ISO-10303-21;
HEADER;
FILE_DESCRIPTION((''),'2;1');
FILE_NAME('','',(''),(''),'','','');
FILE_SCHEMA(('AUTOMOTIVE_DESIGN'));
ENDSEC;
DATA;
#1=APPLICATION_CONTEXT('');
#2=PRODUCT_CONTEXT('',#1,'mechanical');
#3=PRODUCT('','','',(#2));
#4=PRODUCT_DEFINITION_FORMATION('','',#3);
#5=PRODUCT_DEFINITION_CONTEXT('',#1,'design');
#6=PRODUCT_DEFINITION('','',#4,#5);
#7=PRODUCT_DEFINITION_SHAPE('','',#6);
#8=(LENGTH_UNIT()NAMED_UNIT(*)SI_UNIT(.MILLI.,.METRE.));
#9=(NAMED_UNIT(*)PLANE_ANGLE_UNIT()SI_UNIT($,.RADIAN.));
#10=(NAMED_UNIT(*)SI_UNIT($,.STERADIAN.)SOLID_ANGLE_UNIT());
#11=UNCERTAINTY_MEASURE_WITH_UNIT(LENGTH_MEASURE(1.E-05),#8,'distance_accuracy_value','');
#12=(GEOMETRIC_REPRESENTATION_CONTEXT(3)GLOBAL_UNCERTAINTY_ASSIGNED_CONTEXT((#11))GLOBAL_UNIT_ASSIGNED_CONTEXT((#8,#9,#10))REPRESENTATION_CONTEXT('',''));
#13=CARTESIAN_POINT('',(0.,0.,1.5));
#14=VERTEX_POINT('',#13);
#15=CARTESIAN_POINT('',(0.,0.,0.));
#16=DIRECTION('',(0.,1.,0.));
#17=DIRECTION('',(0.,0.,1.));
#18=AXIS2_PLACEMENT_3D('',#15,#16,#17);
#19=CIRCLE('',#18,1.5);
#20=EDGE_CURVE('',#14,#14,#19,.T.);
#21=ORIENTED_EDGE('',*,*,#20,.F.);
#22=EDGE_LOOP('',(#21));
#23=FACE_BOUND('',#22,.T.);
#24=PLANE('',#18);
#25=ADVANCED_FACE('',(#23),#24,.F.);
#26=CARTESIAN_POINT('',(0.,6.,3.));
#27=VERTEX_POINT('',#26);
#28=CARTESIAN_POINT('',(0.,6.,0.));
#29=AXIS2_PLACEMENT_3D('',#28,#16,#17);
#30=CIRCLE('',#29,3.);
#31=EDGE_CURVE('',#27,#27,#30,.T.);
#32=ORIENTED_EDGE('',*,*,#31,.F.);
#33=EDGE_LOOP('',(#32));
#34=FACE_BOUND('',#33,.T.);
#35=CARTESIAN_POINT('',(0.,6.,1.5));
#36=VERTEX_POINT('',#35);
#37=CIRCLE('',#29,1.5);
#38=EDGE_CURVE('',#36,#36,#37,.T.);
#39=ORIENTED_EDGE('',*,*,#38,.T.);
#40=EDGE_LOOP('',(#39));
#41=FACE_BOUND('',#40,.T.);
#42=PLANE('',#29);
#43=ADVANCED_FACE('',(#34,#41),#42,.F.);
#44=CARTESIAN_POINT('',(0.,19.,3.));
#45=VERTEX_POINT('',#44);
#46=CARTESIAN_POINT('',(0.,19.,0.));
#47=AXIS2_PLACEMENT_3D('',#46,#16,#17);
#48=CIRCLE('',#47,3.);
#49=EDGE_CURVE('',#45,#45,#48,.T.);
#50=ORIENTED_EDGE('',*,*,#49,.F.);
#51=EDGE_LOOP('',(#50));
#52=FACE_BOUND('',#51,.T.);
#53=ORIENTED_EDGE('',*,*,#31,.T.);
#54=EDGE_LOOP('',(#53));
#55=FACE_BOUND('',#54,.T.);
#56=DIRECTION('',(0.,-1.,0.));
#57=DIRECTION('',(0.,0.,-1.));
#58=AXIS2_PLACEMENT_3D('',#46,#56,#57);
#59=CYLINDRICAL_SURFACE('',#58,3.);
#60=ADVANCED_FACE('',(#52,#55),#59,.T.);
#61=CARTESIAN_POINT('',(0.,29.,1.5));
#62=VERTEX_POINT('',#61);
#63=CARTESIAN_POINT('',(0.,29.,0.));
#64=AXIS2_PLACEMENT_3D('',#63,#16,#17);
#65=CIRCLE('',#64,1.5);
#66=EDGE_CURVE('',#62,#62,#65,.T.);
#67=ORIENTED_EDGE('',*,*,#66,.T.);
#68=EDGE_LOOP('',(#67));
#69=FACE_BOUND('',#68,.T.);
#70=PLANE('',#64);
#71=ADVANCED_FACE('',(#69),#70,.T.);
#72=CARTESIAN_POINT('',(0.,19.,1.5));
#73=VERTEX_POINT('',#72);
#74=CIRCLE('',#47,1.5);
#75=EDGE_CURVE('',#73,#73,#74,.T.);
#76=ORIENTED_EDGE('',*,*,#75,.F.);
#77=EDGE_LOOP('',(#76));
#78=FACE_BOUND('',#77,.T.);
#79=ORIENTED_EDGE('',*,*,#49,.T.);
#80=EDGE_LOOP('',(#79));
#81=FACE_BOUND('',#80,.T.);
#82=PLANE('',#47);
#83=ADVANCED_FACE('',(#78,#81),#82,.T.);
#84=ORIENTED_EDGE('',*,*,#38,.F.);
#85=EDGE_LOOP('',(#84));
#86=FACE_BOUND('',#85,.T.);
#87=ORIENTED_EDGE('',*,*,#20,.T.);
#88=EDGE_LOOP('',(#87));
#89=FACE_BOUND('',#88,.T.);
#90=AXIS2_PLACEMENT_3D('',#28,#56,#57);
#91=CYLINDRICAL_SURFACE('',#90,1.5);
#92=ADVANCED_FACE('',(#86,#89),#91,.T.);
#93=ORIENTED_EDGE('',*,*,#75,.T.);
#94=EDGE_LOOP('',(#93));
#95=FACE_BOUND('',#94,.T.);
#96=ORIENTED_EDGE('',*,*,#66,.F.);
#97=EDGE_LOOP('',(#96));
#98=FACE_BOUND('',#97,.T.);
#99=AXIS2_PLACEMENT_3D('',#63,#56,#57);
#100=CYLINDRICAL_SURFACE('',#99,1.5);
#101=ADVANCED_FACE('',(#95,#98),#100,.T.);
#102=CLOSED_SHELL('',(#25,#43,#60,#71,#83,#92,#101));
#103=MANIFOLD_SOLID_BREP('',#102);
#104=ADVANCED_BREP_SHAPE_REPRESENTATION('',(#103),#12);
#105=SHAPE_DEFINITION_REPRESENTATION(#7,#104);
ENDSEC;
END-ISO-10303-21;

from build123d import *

# Parameters (mm, degrees)
SKETCH1_R           = 1.5
BOSS_EXTRUDE1_DEPTH = 6
SKETCH2_R           = 3
BOSS_EXTRUDE2_DEPTH = 13
SKETCH3_R           = 1.5
BOSS_EXTRUDE3_DEPTH = 10


with BuildPart() as part:
    # Sketch1 → Boss-Extrude1 (new body)
    with BuildSketch(Plane(origin=(0, 0, 0), x_dir=(1, 0, 0), z_dir=(0, 1, 0))):
        Circle(SKETCH1_R)
    extrude(amount=BOSS_EXTRUDE1_DEPTH)

    # Sketch2 → Boss-Extrude2 (add)
    with BuildSketch(Plane(origin=(0, 6, 0), x_dir=(1, 0, 0), z_dir=(0, 1, 0))):
        Circle(SKETCH2_R)
    extrude(amount=BOSS_EXTRUDE2_DEPTH)

    # Sketch3 → Boss-Extrude3 (add)
    with BuildSketch(Plane(origin=(0, 19, 0), x_dir=(1, 0, 0), z_dir=(0, 1, 0))):
        Circle(SKETCH3_R)
    extrude(amount=BOSS_EXTRUDE3_DEPTH)


solid = part.part
